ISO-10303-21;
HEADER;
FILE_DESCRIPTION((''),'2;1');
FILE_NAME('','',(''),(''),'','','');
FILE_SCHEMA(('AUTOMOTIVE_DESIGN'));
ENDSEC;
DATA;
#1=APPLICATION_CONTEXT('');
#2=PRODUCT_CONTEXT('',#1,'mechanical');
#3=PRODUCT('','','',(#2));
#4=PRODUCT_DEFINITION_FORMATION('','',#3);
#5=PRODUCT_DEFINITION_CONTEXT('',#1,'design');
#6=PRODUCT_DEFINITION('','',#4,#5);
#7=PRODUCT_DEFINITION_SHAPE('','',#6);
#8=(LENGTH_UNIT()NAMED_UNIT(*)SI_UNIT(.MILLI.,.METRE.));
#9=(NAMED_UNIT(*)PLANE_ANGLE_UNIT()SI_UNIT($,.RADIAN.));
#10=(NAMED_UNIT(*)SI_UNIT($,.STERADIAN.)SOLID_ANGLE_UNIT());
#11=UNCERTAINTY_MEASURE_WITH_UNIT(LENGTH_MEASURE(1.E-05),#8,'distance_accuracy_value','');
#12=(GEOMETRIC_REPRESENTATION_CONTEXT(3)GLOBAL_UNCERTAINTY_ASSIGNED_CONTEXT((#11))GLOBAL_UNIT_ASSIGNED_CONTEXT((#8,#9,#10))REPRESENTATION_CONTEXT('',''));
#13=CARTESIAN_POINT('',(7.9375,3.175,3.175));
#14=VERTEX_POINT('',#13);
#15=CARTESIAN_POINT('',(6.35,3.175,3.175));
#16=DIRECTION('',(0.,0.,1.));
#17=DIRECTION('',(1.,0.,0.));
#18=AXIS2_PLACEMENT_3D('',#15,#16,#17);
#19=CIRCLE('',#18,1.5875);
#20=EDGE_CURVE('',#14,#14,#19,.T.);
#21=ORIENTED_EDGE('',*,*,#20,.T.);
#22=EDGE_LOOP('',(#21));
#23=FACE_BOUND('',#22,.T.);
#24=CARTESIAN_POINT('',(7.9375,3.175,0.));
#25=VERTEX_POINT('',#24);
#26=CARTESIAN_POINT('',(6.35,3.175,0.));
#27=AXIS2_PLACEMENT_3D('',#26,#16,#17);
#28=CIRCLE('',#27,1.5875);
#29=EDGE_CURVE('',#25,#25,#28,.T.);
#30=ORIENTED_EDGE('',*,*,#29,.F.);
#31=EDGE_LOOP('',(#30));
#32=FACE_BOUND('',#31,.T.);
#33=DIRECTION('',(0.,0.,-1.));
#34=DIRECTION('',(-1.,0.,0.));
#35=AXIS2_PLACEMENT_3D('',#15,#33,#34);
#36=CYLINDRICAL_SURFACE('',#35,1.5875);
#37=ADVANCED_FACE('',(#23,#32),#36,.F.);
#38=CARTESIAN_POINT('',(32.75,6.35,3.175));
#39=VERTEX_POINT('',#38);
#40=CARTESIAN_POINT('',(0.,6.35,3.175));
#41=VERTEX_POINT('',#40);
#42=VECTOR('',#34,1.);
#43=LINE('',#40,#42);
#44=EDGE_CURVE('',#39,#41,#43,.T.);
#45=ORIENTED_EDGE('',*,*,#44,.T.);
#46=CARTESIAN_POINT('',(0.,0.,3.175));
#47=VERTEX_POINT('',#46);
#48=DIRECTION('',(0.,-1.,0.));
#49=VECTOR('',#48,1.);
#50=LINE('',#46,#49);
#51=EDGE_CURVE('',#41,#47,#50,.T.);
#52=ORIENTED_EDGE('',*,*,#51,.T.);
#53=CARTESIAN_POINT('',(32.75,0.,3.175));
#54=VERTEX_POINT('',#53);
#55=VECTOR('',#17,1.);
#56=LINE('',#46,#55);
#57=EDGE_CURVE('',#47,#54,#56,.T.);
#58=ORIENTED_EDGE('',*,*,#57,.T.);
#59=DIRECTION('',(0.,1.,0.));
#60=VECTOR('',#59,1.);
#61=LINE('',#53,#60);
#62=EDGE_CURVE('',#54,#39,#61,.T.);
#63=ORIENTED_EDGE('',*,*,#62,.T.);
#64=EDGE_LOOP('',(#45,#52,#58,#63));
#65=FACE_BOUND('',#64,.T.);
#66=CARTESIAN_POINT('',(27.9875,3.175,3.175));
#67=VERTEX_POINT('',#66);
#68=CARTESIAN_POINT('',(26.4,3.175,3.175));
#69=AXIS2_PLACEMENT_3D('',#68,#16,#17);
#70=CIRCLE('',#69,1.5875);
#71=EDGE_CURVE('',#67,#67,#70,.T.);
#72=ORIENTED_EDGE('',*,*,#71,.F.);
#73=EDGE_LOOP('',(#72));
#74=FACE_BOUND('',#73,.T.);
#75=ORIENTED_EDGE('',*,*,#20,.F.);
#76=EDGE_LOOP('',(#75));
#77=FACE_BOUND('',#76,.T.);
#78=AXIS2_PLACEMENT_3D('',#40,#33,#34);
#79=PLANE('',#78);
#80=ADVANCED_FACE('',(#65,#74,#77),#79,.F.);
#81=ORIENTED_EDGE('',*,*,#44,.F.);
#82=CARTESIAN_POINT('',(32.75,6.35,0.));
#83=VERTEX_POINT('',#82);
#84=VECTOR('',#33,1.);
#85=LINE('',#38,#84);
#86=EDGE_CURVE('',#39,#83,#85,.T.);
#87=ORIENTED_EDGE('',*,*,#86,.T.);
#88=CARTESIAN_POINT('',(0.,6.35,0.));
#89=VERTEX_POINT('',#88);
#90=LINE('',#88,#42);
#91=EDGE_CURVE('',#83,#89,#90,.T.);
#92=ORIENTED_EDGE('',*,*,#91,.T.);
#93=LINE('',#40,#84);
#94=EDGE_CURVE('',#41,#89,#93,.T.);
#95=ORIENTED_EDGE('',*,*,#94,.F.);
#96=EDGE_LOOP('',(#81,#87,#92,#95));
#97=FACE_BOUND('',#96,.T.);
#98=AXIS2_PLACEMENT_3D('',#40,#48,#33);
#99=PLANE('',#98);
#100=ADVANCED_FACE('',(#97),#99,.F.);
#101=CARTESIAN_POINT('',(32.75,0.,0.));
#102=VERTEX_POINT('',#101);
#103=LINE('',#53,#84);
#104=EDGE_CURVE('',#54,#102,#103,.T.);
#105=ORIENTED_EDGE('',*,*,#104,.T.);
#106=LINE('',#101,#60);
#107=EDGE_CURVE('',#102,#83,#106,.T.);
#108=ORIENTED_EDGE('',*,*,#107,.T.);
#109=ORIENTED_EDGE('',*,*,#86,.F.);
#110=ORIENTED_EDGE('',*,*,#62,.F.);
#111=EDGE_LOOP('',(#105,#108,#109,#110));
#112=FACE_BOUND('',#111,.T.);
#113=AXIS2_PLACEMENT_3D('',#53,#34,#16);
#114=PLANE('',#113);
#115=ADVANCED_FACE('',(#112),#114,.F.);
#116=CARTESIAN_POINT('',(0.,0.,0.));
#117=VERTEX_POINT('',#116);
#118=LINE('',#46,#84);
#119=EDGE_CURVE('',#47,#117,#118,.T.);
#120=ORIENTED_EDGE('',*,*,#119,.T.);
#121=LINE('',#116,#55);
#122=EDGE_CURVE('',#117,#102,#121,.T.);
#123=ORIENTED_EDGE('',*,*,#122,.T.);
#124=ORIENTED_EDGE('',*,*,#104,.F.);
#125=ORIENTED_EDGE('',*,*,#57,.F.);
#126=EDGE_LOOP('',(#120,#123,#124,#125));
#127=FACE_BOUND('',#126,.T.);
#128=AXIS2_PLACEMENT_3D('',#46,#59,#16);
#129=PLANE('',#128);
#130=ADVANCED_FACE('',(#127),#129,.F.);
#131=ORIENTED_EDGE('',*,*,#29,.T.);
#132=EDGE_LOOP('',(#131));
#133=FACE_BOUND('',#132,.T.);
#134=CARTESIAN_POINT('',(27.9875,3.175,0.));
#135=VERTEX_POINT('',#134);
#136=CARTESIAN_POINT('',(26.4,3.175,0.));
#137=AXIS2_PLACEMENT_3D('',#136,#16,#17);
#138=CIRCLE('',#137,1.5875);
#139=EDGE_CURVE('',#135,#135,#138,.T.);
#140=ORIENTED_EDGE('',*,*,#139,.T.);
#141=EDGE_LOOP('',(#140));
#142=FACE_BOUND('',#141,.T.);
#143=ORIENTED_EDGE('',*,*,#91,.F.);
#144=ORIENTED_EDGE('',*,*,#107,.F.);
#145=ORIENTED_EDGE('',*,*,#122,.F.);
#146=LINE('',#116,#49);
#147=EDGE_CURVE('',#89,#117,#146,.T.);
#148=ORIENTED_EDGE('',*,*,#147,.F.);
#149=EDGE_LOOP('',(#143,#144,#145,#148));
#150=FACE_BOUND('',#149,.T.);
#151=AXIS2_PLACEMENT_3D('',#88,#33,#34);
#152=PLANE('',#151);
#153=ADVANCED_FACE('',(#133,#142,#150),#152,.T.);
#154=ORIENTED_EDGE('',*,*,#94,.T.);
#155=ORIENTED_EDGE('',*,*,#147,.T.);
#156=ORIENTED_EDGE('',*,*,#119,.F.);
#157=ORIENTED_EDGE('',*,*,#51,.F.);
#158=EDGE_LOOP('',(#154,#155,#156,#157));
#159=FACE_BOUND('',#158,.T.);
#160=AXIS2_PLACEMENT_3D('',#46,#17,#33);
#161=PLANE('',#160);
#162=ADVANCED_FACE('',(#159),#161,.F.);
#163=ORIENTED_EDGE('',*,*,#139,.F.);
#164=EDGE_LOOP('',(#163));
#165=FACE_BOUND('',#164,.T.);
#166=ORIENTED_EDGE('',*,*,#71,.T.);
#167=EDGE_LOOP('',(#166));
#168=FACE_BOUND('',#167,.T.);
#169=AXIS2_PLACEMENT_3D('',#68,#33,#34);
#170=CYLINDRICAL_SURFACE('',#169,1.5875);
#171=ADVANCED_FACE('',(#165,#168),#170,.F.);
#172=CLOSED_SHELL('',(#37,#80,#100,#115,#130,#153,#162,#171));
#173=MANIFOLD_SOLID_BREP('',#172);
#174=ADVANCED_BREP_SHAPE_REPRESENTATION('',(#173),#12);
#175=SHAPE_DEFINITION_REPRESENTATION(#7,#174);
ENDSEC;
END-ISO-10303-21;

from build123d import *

# Parameters (mm, degrees)
SKETCH3_W           = 32.75
SKETCH3_H           = 6.35
SKETCH3_R           = 1.5875
BOSS_EXTRUDE1_DEPTH = 3.175


with BuildPart() as part:
    # Sketch3 → Boss-Extrude1 (new body)
    with BuildSketch(Plane.XY):
        with Locations((16.375, 3.175)):
            Rectangle(SKETCH3_W, SKETCH3_H)
        with Locations((6.35, 3.175)):
            Circle(SKETCH3_R, mode=Mode.SUBTRACT)
        with Locations((26.4, 3.175)):
            Circle(SKETCH3_R, mode=Mode.SUBTRACT)
    extrude(amount=BOSS_EXTRUDE1_DEPTH)


solid = part.part
